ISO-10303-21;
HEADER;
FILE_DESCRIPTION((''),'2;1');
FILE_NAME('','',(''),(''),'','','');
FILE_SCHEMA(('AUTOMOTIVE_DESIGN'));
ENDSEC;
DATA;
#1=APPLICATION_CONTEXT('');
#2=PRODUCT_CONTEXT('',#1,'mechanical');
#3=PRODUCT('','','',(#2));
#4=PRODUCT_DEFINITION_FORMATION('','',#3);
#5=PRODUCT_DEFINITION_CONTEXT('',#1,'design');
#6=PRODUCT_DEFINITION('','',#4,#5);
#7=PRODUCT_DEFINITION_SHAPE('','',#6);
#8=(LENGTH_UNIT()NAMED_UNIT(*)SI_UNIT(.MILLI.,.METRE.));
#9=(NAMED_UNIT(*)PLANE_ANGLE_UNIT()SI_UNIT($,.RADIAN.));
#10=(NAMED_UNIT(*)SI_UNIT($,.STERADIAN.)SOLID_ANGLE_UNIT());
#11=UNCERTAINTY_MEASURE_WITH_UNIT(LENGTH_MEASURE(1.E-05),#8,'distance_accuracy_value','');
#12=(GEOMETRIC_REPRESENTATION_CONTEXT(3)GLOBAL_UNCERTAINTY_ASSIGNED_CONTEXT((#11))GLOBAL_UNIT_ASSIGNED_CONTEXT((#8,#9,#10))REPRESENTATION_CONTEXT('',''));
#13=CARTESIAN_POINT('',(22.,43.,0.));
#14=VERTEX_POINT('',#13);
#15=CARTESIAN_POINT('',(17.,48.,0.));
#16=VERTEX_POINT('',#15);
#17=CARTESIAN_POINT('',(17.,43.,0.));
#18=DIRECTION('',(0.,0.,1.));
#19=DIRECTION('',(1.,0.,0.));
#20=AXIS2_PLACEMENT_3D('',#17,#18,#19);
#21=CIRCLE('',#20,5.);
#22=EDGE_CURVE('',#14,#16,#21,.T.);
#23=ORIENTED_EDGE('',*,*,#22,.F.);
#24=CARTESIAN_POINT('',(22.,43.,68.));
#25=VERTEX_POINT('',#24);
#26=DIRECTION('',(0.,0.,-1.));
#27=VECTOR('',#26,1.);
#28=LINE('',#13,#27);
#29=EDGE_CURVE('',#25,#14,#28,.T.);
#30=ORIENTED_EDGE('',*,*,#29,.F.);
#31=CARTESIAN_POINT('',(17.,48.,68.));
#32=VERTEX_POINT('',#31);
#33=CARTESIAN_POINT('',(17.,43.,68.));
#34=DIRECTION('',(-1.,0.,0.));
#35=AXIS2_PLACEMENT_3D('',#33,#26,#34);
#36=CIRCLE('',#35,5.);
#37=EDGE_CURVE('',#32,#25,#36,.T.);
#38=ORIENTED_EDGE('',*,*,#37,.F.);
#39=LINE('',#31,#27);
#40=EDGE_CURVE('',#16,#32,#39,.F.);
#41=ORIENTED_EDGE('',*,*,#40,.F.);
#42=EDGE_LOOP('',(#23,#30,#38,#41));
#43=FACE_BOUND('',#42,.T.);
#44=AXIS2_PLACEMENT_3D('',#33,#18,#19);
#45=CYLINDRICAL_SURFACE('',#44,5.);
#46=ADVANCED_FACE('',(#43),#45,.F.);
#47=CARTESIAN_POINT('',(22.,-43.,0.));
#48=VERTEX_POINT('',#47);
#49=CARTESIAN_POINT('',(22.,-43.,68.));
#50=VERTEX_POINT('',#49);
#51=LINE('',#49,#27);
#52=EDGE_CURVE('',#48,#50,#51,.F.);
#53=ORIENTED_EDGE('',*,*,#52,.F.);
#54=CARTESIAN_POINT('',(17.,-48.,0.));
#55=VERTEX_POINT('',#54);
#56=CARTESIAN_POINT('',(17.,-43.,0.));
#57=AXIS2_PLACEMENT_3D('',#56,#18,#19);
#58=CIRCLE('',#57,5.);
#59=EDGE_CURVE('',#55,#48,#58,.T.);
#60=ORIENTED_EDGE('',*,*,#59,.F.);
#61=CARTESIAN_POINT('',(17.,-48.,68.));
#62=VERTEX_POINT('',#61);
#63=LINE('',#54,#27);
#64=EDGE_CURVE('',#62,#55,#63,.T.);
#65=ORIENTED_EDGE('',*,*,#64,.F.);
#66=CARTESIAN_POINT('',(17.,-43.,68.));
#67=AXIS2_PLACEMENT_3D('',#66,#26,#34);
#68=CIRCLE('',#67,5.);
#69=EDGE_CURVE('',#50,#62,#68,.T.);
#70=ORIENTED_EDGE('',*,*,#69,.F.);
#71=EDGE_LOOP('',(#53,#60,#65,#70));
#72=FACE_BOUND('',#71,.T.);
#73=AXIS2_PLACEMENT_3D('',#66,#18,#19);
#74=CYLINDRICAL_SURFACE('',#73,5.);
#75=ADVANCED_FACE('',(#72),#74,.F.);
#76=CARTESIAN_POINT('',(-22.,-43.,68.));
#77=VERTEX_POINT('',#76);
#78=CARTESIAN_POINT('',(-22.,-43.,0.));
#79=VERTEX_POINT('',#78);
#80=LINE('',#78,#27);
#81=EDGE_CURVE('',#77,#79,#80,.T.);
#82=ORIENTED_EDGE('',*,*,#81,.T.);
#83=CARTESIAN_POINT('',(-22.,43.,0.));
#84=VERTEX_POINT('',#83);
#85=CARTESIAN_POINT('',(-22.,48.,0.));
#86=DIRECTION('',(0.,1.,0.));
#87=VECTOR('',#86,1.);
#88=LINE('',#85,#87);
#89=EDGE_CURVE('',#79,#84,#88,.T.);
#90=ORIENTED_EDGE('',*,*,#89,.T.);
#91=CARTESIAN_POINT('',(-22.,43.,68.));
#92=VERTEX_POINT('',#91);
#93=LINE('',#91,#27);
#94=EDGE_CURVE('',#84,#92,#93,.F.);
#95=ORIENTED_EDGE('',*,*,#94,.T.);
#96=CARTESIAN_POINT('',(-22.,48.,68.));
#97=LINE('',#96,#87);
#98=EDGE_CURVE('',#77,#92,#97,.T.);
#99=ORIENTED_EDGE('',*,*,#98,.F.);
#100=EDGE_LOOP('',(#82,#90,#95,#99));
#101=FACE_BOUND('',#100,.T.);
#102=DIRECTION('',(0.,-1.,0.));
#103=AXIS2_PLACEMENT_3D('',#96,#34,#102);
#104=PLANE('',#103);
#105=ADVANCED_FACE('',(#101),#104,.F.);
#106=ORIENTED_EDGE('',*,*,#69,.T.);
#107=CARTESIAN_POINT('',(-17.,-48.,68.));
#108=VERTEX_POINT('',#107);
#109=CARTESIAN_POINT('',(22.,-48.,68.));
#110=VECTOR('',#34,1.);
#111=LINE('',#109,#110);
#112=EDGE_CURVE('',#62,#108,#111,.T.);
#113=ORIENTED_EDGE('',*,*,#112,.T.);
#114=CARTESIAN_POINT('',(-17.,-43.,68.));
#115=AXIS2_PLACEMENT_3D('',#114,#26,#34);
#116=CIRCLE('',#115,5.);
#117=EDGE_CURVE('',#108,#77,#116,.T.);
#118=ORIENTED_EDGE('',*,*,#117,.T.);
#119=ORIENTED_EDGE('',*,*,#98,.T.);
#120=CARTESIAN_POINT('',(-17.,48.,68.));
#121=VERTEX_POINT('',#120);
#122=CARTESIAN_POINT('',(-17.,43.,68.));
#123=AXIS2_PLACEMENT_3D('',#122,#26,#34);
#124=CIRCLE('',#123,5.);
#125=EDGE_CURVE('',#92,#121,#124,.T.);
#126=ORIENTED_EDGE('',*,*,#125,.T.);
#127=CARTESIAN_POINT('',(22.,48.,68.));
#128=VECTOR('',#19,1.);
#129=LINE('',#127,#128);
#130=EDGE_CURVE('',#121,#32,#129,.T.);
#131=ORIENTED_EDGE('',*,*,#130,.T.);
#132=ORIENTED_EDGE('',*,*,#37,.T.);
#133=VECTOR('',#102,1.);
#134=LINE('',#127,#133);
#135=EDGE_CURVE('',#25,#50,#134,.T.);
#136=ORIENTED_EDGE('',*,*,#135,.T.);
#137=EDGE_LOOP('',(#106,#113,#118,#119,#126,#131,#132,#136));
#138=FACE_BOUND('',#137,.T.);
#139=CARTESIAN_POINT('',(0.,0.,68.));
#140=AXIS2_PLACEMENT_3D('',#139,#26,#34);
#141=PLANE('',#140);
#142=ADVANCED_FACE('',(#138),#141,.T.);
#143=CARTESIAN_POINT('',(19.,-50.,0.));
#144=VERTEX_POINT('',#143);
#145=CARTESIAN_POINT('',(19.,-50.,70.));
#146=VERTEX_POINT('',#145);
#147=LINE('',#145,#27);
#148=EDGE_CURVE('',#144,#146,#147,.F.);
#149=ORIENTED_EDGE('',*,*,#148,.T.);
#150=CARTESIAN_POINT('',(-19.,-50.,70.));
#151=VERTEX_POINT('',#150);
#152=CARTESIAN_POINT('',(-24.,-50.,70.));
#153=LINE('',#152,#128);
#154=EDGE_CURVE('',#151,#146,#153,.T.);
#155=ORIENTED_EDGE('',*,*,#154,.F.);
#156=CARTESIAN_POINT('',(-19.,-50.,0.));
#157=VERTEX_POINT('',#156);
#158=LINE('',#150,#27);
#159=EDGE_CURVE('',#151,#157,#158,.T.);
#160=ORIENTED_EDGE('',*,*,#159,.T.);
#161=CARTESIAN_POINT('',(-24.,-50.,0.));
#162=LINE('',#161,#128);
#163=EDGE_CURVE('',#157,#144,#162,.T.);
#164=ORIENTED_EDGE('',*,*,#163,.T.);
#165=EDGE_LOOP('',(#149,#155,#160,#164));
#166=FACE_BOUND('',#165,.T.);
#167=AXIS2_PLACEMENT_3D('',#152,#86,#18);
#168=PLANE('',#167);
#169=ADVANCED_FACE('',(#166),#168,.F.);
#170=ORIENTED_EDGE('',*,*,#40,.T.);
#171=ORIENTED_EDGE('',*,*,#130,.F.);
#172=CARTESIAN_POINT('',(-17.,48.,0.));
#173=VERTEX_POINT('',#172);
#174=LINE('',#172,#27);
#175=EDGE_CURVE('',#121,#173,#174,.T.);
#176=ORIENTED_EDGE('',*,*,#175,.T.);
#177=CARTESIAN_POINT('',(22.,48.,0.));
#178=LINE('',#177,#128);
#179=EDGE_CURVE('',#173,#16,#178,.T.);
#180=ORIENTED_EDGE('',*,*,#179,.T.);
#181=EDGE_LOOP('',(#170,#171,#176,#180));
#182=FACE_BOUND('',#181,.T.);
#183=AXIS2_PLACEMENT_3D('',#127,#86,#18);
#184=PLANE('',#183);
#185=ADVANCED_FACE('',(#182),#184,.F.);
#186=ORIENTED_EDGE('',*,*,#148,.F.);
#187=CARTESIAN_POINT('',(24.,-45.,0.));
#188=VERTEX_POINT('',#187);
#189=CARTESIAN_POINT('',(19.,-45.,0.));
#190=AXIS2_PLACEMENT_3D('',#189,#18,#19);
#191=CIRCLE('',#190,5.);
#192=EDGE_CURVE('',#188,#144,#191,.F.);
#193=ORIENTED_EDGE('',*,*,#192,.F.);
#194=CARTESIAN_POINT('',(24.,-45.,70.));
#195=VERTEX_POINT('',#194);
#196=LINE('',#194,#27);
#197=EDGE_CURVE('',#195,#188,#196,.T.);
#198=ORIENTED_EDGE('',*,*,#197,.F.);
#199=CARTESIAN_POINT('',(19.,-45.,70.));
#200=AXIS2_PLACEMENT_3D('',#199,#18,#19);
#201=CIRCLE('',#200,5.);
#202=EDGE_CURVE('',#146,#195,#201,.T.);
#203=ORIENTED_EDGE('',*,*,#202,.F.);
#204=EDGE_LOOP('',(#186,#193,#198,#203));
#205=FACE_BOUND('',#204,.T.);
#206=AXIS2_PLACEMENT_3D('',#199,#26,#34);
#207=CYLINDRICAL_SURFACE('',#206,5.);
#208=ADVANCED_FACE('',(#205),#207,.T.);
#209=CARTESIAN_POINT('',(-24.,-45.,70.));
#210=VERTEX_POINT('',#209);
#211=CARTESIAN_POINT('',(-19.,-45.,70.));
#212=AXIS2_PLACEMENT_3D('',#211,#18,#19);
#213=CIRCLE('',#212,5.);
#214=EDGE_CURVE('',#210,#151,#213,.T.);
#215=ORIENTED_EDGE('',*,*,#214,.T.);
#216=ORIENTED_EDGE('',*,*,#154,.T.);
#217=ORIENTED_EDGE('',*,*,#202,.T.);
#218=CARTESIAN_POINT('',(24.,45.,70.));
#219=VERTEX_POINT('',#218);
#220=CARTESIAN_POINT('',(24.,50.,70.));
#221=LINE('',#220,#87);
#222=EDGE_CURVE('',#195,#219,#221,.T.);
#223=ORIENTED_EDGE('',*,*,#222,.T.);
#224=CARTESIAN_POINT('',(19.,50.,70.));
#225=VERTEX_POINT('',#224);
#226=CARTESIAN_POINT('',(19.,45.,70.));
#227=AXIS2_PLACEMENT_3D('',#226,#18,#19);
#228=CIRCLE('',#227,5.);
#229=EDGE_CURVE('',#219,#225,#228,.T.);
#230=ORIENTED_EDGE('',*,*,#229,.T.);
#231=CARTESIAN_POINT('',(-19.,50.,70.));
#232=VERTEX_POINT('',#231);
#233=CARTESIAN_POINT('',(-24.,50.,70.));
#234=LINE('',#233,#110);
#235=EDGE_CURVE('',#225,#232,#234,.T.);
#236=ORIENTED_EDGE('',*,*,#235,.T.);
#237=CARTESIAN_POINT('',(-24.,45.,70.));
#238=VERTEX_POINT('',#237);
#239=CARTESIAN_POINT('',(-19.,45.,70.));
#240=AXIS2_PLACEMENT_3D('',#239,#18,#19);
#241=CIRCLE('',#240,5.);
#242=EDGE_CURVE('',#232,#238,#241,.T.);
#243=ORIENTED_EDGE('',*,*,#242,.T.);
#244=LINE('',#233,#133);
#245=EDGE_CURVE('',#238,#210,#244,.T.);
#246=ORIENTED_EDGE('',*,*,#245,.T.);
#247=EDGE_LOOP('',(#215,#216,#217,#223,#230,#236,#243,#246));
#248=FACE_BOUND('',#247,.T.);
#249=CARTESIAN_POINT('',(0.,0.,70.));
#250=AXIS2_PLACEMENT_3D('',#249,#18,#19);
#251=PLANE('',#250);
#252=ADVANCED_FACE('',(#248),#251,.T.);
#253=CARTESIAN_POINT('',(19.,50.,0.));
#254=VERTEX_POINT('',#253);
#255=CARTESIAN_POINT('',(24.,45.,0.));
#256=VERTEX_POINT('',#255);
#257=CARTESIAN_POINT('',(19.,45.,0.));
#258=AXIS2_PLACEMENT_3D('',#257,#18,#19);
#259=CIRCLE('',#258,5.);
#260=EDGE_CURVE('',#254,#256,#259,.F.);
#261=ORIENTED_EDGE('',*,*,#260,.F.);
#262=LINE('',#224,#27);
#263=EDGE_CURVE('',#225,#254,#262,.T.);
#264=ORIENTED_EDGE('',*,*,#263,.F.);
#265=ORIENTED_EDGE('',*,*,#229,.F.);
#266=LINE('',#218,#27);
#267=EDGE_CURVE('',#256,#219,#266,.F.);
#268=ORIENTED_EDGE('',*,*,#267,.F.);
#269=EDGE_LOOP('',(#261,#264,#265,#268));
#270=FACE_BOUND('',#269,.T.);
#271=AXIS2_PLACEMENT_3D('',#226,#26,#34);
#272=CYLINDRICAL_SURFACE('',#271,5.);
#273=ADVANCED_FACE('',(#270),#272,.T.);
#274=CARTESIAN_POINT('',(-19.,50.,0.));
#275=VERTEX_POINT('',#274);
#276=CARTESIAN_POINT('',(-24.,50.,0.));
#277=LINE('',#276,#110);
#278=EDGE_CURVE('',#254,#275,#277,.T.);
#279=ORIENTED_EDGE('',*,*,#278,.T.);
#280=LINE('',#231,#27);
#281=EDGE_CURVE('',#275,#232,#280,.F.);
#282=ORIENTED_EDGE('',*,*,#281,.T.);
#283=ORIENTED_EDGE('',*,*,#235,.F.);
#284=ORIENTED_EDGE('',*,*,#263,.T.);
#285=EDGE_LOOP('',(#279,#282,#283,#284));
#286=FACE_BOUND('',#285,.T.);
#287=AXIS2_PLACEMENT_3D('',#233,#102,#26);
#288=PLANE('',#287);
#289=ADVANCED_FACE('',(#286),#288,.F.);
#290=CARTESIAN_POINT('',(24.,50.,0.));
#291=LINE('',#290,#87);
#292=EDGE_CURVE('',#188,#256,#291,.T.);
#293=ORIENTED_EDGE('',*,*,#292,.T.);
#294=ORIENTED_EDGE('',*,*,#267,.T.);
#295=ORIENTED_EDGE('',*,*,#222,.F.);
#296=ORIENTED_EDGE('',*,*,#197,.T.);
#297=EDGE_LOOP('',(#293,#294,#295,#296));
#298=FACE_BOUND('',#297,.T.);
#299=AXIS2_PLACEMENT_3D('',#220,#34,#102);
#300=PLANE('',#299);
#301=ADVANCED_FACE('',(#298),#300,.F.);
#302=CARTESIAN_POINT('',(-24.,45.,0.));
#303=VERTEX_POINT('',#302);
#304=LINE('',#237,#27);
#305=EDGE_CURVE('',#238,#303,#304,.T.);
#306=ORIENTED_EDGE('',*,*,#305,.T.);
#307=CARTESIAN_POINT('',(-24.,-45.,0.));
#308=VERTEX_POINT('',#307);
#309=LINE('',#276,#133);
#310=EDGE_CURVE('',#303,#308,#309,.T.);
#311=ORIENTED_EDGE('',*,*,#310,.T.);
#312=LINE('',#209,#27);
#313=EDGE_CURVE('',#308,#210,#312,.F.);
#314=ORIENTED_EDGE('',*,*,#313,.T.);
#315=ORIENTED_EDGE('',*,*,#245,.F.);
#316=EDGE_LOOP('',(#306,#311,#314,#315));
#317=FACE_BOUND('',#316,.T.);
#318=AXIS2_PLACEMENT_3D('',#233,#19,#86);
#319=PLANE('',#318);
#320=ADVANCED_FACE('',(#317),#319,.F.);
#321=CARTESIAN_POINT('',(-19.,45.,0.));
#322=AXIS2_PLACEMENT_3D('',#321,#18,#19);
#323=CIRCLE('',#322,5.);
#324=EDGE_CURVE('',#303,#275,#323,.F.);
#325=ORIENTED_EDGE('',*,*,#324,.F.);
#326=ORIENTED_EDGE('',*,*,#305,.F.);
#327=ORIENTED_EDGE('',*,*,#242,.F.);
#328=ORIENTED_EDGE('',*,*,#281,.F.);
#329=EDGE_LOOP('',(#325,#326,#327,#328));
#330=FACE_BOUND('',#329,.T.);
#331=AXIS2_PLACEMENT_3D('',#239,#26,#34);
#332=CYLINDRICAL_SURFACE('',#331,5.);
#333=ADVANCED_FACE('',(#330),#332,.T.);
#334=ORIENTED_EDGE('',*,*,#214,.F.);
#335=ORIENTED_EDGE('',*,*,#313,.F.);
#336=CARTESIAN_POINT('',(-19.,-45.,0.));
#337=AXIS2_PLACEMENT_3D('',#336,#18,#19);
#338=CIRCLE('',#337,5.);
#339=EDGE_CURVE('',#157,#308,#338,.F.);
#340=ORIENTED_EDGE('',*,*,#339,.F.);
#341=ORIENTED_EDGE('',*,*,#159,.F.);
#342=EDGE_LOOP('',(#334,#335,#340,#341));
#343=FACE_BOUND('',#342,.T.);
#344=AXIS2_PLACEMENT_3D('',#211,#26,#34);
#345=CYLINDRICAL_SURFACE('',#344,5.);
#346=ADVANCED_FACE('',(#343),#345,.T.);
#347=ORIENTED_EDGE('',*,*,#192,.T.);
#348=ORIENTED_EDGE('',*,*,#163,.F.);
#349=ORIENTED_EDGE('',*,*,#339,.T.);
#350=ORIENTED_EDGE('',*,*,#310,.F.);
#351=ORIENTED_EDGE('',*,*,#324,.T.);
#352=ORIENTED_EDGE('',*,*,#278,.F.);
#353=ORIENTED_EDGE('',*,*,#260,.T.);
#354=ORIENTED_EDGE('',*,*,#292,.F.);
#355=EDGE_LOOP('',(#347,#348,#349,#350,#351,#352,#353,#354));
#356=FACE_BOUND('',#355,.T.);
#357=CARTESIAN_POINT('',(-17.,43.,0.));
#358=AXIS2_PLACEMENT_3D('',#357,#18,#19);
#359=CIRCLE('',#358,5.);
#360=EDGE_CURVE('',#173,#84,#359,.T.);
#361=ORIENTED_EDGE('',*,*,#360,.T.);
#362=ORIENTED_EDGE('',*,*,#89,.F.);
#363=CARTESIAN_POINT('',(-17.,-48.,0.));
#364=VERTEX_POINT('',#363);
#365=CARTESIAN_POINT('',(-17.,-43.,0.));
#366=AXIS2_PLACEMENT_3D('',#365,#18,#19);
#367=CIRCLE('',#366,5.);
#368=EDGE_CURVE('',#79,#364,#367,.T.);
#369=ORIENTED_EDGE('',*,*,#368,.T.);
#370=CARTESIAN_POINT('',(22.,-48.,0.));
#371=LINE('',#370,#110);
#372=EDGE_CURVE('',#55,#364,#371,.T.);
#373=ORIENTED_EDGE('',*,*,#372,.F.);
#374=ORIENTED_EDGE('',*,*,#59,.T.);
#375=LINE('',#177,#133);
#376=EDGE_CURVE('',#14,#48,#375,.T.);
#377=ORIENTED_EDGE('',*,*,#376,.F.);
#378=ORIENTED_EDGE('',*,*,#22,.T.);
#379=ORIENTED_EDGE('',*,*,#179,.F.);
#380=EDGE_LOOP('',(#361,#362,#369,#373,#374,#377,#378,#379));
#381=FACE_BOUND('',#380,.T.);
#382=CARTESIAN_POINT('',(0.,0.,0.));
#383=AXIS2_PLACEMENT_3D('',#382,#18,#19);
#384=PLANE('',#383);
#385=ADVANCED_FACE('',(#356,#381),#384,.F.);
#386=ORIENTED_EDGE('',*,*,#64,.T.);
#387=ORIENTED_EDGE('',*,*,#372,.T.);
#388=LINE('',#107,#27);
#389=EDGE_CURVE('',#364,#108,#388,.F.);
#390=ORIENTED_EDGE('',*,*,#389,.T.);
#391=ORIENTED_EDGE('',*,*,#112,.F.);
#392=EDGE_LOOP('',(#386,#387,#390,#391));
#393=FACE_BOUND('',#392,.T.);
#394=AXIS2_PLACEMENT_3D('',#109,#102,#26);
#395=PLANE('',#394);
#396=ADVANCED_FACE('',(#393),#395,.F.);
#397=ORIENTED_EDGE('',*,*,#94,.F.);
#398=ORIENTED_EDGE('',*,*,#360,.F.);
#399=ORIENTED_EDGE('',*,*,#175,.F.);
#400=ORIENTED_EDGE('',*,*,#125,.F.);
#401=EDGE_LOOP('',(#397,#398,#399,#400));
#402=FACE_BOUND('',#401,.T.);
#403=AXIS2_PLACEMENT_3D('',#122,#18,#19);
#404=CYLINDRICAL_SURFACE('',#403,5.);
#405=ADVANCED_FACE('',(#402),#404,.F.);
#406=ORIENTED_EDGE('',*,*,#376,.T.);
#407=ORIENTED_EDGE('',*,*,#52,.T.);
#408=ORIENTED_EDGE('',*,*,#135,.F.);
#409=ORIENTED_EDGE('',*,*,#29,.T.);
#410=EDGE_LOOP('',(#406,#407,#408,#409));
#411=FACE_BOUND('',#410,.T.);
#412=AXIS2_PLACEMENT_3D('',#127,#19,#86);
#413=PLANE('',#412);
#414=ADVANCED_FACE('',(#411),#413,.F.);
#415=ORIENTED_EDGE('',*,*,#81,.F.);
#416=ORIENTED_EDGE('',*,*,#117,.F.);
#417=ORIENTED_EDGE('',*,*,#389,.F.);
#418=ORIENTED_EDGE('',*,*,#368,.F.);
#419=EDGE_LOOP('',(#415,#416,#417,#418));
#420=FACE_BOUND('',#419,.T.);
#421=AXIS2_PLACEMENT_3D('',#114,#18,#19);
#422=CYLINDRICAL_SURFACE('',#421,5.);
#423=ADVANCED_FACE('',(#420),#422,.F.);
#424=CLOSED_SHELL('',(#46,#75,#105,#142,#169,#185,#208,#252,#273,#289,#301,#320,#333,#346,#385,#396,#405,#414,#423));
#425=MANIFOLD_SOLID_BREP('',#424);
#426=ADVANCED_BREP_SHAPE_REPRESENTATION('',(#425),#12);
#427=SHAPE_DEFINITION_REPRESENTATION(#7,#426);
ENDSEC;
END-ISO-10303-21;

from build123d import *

# Parameters (mm, degrees)
SKETCH_1_W          = 48
SKETCH_1_H          = 100
EXTRUDE_1_DEPTH     = 70
SKETCH_2_W          = 44
SKETCH_2_H          = 96
CUT_EXTRUDE_1_DEPTH = 68
FILLET_1_R          = 5


with BuildPart() as part:
    # 草图1 → 凸台-拉伸1 (new body)
    with BuildSketch(Plane.XY):
        Rectangle(SKETCH_1_W, SKETCH_1_H)
    extrude(amount=EXTRUDE_1_DEPTH)

    # 草图2 → 切除-拉伸1 (cut)
    with BuildSketch(Plane(origin=(0, 0, 0), x_dir=(-1, 0, 0), z_dir=(0, 0, -1))):
        Rectangle(SKETCH_2_W, SKETCH_2_H)
    extrude(amount=-CUT_EXTRUDE_1_DEPTH, mode=Mode.SUBTRACT)

    # 圆角1
    fillet_1_edges = [part.edges().sort_by_distance(p)[0] for p in [
        (-22, 48, 34),
        (-22, -48, 34),
        (22, -48, 34),
        (22, 48, 34),
        (24, -50, 35),
        (-24, -50, 35),
        (-24, 50, 35),
        (24, 50, 35),
    ]]
    fillet(fillet_1_edges, radius=FILLET_1_R)


solid = part.part
